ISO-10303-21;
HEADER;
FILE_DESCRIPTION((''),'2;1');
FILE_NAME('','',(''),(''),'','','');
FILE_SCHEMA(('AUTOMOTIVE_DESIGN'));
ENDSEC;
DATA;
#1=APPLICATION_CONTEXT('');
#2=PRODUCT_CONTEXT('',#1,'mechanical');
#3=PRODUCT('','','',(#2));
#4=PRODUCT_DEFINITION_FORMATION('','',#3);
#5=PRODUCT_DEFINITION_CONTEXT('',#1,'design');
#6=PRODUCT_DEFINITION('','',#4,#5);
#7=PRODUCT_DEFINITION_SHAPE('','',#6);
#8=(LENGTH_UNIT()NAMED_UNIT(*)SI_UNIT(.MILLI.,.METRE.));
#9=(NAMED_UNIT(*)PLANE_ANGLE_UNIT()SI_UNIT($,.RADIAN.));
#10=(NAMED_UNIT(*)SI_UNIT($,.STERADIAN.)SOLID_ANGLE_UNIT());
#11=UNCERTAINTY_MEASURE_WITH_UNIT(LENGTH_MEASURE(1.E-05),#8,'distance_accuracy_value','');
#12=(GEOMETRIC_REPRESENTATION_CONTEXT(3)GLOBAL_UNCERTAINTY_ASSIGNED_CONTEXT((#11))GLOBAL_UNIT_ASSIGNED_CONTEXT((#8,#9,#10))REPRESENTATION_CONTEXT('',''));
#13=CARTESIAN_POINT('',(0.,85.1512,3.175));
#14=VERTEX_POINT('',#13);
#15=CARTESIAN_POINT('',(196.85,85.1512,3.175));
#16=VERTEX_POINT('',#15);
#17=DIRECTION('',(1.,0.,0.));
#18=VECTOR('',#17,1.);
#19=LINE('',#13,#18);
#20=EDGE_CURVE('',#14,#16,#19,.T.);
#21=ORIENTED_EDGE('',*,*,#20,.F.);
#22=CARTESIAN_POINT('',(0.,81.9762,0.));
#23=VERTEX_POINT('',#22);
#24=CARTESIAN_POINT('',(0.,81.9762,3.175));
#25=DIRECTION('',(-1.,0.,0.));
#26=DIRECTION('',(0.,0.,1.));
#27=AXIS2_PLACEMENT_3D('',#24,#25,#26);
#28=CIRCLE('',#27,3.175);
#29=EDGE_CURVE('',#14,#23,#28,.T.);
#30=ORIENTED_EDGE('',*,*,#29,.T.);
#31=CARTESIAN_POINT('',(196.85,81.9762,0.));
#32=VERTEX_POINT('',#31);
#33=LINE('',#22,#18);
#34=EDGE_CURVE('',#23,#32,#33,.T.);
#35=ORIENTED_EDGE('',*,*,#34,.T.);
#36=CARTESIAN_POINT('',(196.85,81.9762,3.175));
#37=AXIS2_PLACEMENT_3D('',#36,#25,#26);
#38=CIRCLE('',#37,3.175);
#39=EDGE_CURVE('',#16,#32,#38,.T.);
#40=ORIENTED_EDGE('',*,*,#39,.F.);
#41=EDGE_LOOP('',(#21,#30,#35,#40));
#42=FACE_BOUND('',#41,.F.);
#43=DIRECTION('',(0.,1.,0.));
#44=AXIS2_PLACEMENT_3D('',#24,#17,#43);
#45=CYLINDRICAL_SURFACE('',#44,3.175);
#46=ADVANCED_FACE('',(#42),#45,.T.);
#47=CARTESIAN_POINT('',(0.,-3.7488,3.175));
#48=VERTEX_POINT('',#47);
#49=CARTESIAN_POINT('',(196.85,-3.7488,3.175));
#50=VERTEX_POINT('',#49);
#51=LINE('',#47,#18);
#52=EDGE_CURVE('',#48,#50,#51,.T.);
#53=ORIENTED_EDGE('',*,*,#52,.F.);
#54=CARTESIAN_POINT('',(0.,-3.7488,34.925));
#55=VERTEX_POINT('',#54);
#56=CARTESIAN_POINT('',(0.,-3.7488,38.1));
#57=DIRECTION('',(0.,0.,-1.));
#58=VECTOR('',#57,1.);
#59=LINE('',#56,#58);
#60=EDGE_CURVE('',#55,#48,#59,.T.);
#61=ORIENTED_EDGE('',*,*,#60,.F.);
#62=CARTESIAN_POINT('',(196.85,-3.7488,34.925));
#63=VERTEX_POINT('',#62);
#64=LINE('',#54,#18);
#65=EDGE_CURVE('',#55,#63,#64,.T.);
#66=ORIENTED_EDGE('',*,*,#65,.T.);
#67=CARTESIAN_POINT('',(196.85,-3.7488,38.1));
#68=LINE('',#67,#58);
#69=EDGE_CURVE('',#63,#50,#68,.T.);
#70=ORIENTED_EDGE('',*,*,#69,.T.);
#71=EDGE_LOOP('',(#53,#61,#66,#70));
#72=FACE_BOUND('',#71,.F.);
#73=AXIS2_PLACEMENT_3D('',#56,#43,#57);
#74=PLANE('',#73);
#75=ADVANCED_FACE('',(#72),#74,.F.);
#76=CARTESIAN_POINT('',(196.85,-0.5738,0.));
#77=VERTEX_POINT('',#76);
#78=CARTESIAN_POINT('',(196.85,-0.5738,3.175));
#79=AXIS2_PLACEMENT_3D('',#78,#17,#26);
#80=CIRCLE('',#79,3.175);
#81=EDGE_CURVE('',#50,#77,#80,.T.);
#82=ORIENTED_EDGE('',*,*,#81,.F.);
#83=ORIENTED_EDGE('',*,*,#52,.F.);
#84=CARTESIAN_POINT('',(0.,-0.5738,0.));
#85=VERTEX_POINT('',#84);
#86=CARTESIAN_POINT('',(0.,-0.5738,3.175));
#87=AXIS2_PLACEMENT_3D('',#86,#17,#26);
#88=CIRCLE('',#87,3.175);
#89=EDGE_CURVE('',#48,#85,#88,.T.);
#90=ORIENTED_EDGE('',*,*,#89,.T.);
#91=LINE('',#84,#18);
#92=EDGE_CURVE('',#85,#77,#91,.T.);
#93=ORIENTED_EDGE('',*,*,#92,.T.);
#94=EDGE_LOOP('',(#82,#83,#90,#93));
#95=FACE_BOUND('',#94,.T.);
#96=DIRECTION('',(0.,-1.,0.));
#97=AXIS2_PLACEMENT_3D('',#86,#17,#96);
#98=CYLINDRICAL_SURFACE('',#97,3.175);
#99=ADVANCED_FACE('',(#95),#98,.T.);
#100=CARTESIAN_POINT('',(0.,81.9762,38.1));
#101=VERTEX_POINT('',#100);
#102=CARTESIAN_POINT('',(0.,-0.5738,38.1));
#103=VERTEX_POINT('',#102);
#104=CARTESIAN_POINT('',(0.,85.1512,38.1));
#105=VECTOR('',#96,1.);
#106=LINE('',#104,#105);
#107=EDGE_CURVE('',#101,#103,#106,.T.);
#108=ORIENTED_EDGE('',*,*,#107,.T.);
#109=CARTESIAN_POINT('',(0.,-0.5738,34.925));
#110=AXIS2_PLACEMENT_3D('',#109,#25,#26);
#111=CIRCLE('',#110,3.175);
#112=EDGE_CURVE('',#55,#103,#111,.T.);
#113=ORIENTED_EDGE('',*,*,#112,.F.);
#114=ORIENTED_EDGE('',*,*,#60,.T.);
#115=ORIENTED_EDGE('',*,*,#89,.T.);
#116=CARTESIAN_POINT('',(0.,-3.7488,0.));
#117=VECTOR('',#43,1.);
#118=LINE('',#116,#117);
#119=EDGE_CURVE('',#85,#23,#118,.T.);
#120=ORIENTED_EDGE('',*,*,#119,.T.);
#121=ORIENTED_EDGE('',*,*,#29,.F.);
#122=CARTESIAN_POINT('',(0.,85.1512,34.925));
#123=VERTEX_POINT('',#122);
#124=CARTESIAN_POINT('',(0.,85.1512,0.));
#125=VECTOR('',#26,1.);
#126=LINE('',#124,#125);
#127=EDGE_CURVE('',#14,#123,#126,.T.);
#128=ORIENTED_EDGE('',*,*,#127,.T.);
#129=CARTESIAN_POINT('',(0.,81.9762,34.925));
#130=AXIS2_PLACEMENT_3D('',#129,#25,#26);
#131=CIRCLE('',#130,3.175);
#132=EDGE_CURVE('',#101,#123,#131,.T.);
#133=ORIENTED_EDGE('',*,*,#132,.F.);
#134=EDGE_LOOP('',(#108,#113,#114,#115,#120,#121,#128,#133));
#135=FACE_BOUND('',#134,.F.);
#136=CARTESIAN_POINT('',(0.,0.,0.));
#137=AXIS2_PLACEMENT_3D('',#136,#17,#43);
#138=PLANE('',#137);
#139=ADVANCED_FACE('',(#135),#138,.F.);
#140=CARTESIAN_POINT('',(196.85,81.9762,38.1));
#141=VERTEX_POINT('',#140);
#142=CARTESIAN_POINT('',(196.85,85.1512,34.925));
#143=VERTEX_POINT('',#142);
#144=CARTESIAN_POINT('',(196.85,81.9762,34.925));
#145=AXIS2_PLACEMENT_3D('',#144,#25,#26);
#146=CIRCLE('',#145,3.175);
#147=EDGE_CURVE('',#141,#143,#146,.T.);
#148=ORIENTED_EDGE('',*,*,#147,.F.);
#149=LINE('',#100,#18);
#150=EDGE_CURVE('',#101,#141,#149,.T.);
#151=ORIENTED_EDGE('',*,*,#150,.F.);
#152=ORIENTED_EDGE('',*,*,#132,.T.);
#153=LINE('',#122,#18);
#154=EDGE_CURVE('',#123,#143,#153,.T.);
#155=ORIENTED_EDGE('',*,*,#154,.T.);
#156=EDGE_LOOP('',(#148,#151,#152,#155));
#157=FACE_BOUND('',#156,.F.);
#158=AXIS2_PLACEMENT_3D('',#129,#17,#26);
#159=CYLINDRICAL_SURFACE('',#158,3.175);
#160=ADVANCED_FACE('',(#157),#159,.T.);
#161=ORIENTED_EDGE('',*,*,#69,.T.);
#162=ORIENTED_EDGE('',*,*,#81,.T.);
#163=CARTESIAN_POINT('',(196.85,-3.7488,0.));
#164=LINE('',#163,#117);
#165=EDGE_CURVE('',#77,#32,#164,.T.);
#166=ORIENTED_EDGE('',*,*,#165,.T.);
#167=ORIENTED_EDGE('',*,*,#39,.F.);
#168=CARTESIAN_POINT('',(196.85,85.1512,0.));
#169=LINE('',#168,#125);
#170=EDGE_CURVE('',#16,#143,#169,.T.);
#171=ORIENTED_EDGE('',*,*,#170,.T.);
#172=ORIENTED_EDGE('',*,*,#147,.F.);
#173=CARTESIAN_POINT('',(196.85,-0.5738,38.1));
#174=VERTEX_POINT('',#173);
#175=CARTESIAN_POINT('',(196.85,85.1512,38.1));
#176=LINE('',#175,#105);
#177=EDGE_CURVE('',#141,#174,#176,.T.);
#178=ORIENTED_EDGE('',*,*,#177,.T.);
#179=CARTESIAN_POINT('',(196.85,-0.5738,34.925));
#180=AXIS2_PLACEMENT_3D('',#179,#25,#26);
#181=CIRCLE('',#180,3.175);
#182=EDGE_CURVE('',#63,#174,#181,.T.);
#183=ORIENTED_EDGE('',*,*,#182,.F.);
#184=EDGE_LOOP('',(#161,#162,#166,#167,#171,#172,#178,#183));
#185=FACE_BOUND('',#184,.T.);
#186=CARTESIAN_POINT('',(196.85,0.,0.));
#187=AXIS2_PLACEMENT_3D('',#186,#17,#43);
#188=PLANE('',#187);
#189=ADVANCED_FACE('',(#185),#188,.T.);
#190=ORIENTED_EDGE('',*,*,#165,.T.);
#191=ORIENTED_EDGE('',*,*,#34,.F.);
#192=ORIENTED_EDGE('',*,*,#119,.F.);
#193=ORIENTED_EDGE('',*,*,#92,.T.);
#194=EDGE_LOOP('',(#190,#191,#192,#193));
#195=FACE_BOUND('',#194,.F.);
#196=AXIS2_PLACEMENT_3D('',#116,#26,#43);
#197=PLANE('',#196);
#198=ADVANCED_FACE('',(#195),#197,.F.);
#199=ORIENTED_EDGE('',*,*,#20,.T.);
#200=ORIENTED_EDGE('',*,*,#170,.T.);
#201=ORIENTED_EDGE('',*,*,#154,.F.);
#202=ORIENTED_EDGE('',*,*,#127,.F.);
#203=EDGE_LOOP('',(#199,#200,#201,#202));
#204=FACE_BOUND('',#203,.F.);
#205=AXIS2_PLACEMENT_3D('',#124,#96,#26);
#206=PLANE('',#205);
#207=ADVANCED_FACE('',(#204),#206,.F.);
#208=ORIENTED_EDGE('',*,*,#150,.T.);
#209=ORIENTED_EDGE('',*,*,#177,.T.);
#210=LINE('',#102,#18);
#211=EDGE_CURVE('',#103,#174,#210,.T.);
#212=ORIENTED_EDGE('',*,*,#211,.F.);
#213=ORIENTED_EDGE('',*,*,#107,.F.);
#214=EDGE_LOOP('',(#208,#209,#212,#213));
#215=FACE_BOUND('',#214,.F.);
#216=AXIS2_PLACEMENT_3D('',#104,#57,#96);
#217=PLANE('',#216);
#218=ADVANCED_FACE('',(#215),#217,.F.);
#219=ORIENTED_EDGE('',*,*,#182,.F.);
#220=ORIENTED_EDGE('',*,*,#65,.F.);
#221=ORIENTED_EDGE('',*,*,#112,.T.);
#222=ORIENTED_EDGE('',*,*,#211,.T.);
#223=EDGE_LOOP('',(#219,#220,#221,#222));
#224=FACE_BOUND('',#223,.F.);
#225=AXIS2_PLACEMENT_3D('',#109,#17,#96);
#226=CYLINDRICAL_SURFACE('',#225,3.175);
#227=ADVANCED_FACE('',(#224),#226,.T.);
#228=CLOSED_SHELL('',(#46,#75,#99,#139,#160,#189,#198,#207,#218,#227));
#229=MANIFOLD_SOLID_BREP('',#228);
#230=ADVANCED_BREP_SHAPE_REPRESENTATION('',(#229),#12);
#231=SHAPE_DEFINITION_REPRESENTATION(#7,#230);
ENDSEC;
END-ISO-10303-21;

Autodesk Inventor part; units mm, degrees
ref_plane "YZ Plane" through (0, 0, 0) normal (1, 0, 0) x (0, 1, 0)
ref_plane "XZ Plane" through (0, 0, 0) normal (0, 1, 0) x (-1, 0, 0)
ref_plane "XY Plane" through (0, 0, 0) normal (0, 0, 1) x (1, 0, 0)
sketch "Sketch1" plane through (0, 0, 0) normal (1, 0, 0) x (0, 1, 0)
  line L0 (-3.7488, 0) -> (85.1512, 0)
  line L1 (85.1512, 0) -> (85.1512, 38.1)
  line L2 (85.1512, 38.1) -> (-3.7488, 38.1)
  line L3 (-3.7488, 38.1) -> (-3.7488, 0)
  point P0 (0, 0)
  dimension "d0" = 88.9
  dimension "d1" = 38.1
extrude "Extrusion1" add sketch "Sketch1" along normal blind 196.85
fillet "Fillet1" radius 3.175 4 edges at (98.425, 85.1512, 38.1) (98.425, 85.1512, 0) (98.425, -3.7488, 0) (98.425, -3.7488, 38.1)
properties part number "2x4x7.75" material "Ash"
